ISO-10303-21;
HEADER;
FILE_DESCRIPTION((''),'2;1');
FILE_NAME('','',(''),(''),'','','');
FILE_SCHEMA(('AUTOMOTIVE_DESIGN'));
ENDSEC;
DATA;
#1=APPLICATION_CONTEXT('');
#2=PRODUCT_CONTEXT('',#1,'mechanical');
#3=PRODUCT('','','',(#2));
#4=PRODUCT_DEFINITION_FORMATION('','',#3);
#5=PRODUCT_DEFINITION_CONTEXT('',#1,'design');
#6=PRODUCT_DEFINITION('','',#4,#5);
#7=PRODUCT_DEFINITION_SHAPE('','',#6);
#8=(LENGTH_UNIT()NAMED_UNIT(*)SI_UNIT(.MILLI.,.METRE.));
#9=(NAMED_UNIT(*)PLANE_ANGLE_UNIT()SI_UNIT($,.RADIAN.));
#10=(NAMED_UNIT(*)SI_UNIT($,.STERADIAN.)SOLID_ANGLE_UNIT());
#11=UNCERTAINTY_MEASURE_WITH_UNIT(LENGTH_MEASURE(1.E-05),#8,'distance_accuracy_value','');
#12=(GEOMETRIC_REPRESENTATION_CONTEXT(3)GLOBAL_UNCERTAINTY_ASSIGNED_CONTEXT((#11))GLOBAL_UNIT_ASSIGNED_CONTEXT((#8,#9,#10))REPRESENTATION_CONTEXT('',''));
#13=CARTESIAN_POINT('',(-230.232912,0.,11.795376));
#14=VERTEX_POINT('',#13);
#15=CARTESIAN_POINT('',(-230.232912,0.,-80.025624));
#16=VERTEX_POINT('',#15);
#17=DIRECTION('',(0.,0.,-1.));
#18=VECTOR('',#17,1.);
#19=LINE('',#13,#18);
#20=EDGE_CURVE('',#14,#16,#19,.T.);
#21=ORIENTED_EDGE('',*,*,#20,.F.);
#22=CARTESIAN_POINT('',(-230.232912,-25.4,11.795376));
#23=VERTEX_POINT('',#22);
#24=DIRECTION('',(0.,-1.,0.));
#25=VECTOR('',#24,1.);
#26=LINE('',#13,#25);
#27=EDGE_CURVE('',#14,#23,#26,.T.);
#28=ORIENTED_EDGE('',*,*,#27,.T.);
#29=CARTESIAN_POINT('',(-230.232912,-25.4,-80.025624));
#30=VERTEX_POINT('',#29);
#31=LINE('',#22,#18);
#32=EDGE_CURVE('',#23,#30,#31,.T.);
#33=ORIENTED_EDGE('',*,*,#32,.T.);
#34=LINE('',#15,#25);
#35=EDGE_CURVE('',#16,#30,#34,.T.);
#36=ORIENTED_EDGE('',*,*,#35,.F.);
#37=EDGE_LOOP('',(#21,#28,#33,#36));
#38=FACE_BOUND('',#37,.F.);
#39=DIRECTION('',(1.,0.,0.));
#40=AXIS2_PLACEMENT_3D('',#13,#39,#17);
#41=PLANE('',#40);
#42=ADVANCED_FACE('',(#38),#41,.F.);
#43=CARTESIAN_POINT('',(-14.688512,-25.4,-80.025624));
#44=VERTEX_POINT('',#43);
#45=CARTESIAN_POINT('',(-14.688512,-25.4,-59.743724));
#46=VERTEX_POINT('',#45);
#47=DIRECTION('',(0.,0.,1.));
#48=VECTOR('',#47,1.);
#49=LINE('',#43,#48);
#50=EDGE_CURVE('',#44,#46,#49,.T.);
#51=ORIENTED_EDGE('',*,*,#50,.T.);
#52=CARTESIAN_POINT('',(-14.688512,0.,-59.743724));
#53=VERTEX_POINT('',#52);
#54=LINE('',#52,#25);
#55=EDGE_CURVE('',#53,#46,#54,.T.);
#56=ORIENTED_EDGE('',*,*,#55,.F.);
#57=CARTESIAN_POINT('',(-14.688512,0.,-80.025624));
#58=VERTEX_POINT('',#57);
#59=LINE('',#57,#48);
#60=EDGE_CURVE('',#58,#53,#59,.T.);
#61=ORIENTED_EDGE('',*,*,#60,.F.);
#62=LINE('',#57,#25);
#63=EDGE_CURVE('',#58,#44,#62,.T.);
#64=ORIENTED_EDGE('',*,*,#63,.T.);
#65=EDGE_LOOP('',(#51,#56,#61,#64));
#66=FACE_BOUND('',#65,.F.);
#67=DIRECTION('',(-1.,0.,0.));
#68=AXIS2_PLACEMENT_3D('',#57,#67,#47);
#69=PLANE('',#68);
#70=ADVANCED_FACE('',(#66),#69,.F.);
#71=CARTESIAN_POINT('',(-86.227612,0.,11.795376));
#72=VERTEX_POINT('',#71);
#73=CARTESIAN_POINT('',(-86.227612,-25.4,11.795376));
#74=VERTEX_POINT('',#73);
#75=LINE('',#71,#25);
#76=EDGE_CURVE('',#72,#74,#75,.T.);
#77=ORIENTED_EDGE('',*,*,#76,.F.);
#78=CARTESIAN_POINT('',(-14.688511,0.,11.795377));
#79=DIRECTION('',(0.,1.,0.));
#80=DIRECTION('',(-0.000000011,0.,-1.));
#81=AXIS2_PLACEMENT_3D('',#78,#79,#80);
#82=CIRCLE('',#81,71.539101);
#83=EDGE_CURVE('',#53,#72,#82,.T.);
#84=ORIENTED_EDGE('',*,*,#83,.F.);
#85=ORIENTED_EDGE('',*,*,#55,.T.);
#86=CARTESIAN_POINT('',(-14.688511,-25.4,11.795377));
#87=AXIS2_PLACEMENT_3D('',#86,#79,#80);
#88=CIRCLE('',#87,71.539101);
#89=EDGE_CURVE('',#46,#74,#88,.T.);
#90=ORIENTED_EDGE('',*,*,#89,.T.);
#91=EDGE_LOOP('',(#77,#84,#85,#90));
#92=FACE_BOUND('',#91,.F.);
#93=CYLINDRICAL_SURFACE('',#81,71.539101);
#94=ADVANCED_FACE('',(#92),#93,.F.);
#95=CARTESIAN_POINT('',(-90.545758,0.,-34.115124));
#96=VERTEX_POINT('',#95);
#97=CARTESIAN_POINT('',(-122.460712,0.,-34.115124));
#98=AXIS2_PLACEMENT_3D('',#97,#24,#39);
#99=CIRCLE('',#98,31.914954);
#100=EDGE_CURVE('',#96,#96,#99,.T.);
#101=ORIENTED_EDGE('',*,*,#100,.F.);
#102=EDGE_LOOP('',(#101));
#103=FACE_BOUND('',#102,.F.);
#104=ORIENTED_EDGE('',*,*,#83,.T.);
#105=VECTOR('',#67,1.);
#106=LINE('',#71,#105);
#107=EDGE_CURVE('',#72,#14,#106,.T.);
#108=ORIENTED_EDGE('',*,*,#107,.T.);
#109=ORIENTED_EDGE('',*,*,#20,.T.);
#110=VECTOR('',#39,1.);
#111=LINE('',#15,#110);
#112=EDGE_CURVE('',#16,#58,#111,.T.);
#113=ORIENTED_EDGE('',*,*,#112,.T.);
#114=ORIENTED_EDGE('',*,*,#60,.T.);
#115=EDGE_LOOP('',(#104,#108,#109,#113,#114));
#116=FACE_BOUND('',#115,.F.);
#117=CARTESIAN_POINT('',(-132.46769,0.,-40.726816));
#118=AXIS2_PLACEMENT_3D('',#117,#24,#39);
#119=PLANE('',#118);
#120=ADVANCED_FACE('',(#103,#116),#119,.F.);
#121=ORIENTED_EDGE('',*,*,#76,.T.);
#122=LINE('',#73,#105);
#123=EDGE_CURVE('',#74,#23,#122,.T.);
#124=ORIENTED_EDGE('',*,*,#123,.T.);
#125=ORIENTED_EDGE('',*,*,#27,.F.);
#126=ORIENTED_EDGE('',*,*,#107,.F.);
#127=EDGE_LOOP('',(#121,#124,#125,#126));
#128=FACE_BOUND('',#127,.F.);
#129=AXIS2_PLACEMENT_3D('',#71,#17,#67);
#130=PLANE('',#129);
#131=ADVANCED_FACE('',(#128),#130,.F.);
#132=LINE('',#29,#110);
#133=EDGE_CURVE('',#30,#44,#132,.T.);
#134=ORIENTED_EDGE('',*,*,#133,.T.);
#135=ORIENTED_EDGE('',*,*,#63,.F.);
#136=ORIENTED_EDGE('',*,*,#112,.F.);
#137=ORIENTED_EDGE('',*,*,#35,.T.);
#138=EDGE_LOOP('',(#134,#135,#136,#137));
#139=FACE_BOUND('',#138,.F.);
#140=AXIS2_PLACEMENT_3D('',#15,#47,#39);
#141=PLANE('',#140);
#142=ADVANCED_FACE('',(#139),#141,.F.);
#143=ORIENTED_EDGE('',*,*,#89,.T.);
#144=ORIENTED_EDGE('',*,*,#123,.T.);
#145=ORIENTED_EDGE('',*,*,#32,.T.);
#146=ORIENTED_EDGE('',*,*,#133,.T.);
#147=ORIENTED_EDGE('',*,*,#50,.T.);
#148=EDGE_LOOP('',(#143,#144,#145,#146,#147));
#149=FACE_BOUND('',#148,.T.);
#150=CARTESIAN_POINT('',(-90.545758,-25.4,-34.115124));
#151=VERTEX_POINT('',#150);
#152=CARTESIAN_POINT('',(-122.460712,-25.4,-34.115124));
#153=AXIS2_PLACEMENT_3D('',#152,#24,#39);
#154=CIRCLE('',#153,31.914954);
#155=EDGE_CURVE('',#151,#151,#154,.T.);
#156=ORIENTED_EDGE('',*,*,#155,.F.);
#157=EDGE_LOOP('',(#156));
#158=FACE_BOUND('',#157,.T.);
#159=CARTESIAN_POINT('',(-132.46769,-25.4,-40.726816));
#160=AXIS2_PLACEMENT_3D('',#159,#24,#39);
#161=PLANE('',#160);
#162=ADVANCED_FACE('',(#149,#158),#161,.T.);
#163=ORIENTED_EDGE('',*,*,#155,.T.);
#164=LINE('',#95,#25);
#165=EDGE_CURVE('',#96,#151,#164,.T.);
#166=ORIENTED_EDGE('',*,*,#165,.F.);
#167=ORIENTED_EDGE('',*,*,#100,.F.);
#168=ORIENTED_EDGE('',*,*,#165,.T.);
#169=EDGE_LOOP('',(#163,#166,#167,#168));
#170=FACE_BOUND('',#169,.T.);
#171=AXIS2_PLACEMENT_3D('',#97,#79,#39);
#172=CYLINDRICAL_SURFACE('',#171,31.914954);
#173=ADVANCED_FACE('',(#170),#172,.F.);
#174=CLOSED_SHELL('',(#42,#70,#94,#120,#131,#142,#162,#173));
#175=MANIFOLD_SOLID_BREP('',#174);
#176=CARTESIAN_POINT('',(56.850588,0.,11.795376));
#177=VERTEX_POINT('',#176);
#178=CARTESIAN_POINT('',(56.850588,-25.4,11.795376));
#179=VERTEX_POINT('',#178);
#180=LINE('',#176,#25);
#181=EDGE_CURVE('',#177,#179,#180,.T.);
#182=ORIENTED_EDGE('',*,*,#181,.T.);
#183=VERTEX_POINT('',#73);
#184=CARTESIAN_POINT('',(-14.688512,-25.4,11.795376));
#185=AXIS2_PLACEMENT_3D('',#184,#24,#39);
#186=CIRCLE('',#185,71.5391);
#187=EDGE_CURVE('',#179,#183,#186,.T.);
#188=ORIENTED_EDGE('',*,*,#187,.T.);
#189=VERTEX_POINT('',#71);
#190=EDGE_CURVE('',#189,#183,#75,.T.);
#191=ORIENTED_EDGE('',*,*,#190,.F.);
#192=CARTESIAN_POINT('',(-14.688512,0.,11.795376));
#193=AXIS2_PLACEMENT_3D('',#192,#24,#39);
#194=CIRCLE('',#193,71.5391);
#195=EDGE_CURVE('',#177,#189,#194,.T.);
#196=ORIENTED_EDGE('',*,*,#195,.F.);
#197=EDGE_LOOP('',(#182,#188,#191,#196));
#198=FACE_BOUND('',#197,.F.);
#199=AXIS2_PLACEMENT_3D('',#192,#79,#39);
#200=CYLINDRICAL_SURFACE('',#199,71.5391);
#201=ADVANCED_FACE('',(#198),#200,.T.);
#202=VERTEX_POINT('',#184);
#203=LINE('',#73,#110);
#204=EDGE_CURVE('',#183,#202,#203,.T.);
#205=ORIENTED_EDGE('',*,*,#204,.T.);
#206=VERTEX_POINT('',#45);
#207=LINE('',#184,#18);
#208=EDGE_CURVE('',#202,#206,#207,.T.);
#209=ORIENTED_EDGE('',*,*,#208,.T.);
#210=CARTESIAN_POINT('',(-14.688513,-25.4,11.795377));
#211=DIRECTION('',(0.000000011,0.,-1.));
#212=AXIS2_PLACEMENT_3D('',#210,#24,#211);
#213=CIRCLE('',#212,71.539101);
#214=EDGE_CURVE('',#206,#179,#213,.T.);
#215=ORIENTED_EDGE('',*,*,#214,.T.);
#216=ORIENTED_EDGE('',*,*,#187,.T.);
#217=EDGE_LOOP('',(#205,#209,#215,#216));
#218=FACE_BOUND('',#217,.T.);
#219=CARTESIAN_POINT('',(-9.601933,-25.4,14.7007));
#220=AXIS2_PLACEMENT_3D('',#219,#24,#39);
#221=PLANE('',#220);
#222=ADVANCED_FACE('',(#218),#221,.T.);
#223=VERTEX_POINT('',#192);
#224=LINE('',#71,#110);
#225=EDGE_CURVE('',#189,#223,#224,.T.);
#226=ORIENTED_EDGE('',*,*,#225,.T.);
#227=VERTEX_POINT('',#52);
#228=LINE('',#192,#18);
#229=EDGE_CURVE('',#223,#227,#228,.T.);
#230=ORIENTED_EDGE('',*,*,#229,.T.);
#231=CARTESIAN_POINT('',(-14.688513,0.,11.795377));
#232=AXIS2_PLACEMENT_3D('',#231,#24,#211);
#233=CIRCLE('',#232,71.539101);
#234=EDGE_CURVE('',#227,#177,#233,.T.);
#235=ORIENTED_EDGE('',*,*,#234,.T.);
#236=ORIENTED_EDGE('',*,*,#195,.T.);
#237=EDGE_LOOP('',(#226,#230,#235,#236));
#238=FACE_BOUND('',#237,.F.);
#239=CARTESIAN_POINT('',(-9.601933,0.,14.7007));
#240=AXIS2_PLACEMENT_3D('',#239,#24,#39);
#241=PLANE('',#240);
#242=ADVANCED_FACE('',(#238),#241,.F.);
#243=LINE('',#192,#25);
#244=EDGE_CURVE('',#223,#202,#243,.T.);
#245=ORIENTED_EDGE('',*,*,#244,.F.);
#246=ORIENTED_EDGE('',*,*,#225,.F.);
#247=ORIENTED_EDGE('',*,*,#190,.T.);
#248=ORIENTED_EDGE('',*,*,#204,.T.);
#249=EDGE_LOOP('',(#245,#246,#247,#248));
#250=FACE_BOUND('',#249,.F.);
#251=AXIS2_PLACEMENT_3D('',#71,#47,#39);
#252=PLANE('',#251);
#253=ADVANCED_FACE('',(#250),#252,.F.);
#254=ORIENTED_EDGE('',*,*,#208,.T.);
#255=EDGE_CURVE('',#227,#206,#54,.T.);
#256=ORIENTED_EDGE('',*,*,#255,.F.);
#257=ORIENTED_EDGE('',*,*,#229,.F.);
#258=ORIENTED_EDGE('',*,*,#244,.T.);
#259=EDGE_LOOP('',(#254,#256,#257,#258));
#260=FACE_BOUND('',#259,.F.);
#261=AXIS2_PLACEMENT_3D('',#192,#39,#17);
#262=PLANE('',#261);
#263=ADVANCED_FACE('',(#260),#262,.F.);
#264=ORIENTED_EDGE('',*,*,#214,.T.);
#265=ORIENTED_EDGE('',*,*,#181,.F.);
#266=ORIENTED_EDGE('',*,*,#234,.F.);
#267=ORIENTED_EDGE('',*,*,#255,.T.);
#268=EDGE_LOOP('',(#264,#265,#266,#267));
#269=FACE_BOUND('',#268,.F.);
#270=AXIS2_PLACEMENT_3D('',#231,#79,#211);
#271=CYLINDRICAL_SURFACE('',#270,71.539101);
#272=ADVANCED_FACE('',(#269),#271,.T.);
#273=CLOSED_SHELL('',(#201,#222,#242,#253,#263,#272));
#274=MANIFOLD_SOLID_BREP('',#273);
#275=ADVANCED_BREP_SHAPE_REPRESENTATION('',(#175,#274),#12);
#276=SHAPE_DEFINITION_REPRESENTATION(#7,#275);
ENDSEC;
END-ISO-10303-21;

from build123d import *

# Parameters (mm, degrees)
F0_R     = 31.914954
F1_DEPTH = 25.4


with BuildPart() as f1:
    # F0 (on Front) → F1 (new body)
    with BuildSketch(Plane.XZ):
        with BuildLine():
            ThreePointArc((-14.688512, -59.743724), (-65.274295, -38.790406), (-86.227612, 11.795376))
            Line((-86.227612, 11.795376), (-230.232912, 11.795376))
            Line((-230.232912, 11.795376), (-230.232912, -80.025624))
            Line((-230.232912, -80.025624), (-14.688512, -80.025624))
            Line((-14.688512, -80.025624), (-14.688512, -59.743724))
        make_face()
        with Locations((-122.460712, -34.115124)):
            Circle(F0_R, mode=Mode.SUBTRACT)
        with BuildLine():
            Line((-86.227612, 11.795376), (-14.688512, 11.795376))
            Line((-14.688512, 11.795376), (-14.688512, -59.743724))
            ThreePointArc((-14.688512, -59.743724), (35.897271, -38.790406), (56.850588, 11.795376))
            ThreePointArc((56.850588, 11.795376), (-14.688512, 83.334476), (-86.227612, 11.795376))
        make_face()
    extrude(amount=F1_DEPTH)


solid = f1.part
